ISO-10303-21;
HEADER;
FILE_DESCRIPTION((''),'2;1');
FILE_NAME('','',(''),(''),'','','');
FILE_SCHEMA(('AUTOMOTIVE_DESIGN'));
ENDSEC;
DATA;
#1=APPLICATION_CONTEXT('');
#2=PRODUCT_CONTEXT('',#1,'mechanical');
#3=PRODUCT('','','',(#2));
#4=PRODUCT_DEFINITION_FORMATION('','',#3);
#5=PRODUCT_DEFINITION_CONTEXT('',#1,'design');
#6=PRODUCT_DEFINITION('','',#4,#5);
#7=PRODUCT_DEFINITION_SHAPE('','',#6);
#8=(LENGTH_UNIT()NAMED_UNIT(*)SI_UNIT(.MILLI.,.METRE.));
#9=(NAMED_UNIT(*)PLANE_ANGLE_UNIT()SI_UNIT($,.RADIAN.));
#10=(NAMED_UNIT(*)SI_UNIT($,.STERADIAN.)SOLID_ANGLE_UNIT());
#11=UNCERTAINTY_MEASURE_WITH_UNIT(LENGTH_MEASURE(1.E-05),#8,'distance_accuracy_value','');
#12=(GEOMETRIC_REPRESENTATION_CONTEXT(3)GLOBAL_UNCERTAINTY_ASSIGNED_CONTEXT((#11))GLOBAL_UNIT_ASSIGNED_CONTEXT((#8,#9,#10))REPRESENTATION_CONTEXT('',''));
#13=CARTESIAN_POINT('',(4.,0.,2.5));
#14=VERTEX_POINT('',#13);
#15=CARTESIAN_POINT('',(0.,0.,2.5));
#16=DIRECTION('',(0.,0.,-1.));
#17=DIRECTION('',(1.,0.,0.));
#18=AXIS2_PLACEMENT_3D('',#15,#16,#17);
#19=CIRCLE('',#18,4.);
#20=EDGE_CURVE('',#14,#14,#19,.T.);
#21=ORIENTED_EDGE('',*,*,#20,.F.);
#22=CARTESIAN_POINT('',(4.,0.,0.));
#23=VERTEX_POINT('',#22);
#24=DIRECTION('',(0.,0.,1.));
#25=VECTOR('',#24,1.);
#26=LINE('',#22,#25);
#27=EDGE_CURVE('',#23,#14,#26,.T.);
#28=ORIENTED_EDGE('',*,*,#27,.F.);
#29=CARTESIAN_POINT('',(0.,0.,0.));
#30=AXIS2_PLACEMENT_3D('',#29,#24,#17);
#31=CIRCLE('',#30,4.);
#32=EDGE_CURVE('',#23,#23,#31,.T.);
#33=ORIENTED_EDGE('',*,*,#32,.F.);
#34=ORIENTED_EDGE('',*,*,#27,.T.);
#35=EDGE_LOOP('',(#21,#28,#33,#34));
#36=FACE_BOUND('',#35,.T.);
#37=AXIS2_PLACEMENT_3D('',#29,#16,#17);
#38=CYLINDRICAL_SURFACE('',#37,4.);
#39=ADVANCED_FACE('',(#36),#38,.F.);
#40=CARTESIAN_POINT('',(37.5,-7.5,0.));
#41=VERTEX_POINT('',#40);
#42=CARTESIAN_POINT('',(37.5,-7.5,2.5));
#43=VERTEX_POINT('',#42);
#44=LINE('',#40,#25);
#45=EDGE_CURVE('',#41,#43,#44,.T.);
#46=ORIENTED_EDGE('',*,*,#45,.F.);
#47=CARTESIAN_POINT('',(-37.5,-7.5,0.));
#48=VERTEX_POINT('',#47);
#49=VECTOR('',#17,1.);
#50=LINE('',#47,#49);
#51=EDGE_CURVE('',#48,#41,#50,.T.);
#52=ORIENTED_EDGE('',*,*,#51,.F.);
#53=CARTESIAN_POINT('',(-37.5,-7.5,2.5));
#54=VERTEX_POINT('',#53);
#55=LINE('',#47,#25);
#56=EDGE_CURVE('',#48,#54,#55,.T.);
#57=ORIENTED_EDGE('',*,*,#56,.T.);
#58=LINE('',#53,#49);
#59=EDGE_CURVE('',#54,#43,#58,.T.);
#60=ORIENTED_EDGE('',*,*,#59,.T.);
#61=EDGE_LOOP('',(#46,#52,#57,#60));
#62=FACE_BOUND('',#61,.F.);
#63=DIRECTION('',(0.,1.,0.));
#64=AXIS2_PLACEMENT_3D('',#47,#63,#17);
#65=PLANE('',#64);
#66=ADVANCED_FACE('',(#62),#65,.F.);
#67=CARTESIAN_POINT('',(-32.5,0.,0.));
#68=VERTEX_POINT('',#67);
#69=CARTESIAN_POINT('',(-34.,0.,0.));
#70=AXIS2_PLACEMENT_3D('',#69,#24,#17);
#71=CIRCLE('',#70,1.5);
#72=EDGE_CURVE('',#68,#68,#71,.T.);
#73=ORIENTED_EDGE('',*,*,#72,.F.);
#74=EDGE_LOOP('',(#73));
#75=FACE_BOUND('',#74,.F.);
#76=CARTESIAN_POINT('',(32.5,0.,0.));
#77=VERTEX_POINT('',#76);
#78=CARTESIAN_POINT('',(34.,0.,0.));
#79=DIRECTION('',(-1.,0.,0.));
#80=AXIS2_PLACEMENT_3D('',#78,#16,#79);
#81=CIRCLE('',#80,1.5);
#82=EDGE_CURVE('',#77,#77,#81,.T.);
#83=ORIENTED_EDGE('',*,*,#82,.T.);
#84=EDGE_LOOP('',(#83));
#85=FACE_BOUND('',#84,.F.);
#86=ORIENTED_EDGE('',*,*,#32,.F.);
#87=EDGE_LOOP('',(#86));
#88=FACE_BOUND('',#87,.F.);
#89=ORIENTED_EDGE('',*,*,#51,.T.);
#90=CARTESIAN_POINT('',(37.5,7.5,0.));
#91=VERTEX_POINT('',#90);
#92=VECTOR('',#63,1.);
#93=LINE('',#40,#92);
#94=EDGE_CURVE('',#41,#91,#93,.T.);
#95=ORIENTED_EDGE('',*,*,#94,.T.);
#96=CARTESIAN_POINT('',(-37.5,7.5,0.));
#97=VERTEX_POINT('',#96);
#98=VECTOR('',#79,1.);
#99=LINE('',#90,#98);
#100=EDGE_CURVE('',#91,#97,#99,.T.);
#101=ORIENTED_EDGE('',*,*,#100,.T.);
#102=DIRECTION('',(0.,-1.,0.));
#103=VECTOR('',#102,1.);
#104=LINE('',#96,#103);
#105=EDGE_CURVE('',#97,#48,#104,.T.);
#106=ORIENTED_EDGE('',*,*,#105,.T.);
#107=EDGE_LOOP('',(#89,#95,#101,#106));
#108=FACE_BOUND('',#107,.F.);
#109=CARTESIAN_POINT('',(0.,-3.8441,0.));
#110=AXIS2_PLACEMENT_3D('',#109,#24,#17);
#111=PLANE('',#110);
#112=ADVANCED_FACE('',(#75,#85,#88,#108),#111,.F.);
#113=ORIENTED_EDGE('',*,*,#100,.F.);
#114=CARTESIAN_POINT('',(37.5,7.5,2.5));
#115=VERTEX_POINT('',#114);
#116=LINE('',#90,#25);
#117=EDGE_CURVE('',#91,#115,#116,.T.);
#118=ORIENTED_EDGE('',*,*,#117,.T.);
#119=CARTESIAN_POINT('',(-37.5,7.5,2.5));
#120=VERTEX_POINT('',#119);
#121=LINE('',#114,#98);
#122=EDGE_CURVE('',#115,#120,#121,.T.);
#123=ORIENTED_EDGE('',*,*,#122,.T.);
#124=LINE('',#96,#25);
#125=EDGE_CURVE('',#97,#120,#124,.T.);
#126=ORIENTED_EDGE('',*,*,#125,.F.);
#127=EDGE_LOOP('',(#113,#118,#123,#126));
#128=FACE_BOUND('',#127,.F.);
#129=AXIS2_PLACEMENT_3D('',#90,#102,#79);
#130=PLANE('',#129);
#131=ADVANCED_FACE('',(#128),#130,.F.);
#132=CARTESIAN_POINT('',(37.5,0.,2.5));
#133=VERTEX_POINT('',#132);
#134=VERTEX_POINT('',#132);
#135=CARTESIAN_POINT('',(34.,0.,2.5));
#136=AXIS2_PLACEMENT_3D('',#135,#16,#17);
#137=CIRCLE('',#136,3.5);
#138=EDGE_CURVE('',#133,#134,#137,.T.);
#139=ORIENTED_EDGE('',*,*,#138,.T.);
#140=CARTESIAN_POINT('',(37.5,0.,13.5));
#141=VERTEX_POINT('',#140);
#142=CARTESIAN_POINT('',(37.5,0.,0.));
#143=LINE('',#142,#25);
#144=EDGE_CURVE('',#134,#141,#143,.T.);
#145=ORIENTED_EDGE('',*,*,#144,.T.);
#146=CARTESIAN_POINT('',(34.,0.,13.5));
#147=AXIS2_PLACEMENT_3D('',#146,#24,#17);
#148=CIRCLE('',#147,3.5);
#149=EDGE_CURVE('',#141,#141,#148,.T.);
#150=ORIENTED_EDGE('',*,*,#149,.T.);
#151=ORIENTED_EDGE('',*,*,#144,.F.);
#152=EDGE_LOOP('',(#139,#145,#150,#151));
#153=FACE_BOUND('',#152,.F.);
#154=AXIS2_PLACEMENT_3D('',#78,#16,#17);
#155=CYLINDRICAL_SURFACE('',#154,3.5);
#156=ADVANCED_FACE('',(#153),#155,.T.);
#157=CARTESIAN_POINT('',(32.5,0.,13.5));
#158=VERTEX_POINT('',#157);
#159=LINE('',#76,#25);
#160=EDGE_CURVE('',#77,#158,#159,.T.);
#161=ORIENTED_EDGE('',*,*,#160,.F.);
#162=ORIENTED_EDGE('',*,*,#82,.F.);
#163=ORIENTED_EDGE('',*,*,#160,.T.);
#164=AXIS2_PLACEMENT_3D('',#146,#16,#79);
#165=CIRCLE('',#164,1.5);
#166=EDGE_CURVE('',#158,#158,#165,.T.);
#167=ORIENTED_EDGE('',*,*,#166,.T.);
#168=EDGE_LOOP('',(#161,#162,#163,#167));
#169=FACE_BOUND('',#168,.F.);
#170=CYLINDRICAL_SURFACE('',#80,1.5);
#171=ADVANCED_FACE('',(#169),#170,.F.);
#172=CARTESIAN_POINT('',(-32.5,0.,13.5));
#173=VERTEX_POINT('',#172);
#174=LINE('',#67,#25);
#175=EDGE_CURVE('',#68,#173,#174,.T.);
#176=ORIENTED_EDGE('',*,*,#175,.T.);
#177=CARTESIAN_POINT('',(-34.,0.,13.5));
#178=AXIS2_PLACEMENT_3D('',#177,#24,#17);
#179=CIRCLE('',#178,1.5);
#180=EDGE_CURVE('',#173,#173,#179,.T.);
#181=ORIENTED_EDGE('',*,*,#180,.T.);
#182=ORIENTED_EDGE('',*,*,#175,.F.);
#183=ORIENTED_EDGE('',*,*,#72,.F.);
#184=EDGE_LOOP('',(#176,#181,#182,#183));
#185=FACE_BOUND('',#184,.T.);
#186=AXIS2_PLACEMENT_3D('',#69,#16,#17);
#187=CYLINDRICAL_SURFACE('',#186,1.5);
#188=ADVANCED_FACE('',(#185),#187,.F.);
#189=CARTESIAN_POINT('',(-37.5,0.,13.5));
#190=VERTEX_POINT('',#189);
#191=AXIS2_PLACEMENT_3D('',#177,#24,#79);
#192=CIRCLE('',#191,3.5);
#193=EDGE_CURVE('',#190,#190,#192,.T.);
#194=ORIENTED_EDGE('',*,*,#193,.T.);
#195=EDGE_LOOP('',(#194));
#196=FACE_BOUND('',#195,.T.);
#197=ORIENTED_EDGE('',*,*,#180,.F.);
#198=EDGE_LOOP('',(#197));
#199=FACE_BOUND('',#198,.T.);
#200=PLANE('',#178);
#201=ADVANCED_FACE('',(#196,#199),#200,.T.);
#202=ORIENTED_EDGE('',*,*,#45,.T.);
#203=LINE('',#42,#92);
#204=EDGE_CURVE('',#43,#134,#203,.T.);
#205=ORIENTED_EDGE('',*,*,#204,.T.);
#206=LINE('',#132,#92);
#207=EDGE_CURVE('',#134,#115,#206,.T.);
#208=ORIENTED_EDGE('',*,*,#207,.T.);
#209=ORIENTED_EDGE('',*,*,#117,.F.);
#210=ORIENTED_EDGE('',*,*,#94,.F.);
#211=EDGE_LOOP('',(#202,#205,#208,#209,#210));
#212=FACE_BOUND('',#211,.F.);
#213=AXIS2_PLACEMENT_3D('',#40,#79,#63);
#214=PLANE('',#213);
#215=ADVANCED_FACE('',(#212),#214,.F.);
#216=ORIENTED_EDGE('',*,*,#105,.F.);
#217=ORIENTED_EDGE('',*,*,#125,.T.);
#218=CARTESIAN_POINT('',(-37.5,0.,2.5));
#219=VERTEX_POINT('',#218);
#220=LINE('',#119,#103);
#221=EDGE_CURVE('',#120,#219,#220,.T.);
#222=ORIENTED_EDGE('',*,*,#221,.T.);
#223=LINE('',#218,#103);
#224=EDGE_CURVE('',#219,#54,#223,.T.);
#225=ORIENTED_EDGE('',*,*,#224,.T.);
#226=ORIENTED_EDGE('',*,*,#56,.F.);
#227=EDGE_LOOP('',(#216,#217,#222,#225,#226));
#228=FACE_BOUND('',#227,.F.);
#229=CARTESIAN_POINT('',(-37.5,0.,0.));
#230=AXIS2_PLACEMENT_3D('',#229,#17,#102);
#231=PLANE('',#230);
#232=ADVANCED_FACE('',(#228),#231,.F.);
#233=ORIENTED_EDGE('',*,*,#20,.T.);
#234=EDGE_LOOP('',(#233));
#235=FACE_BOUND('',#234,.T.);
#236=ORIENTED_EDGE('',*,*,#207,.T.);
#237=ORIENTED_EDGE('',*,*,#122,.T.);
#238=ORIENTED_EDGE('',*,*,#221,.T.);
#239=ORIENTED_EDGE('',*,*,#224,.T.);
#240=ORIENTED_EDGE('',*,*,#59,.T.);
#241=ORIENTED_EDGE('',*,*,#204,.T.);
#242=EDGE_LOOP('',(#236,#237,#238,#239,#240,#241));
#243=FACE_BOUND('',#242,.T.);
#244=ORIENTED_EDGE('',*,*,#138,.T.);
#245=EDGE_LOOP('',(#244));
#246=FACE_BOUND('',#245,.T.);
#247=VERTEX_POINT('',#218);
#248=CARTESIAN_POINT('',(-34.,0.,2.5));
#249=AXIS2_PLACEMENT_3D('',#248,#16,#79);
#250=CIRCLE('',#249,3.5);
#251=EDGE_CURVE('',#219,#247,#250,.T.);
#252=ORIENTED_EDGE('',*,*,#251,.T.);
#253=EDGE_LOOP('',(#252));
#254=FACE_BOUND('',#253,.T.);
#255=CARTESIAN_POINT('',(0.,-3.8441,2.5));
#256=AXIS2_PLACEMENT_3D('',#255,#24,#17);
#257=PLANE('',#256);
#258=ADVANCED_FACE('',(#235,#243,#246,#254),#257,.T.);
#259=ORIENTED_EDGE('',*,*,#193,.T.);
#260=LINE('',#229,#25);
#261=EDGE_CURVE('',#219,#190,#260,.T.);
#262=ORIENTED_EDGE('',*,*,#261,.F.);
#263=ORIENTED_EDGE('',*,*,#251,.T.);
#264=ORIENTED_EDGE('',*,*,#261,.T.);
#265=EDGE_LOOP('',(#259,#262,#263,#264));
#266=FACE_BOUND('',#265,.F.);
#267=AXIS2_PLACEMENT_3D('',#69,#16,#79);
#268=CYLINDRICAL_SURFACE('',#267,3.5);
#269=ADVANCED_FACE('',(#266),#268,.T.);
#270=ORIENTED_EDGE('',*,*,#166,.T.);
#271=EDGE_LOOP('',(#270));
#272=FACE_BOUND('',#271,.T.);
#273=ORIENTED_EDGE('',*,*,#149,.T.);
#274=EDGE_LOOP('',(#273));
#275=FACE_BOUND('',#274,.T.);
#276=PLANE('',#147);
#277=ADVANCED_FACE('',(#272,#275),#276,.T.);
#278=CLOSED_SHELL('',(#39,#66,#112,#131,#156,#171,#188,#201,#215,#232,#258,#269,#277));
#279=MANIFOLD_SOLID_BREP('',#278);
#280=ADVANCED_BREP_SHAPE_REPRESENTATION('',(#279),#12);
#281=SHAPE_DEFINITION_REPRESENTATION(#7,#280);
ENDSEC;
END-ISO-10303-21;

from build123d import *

# Parameters (mm, degrees)
F0_R     = 1.5
F1_DEPTH = 13.5
F2_DEPTH = 2.5
F3_DEPTH = 2.5
F4_R     = 4
F5_DEPTH = 25


with BuildPart() as f1:
    # F0 (on Top) → F1 (new body)
    with BuildSketch(Plane.XY):
        with BuildLine():
            ThreePointArc((30.5, 0), (34, -3.5), (37.5, 0))
            ThreePointArc((37.5, 0), (34, 3.5), (30.5, 0))
        make_face()
        with BuildLine():
            ThreePointArc((35.5, 0), (34, -1.5), (32.5, 0))
            ThreePointArc((32.5, 0), (34, 1.5), (35.5, 0))
        make_face(mode=Mode.SUBTRACT)
        with BuildLine():
            ThreePointArc((-30.5, 0), (-34, 3.5), (-37.5, 0))
            ThreePointArc((-37.5, 0), (-34, -3.5), (-30.5, 0))
        make_face()
        with Locations((-34, 0)):
            Circle(F0_R, mode=Mode.SUBTRACT)
    extrude(amount=F1_DEPTH)

    # F0 (on Top) → F2 (join)
    with BuildSketch(Plane.XY):
        with BuildLine():
            ThreePointArc((30.5, 0), (34, 3.5), (37.5, 0))
            Line((37.5, 0), (37.5, 7.5))
            Line((37.5, 7.5), (-37.5, 7.5))
            Line((-37.5, 7.5), (-37.5, 0))
            ThreePointArc((-37.5, 0), (-34, 3.5), (-30.5, 0))
            Line((-30.5, 0), (0, 0))
            Line((0, 0), (30.5, 0))
        make_face()
    extrude(amount=F2_DEPTH)

    # F0 (on Top) → F3 (join)
    with BuildSketch(Plane.XY):
        with BuildLine():
            Line((-37.5, -7.5), (37.5, -7.5))
            Line((37.5, -7.5), (37.5, 0))
            ThreePointArc((37.5, 0), (34, -3.5), (30.5, 0))
            Line((30.5, 0), (0, 0))
            Line((0, 0), (-30.5, 0))
            ThreePointArc((-30.5, 0), (-34, -3.5), (-37.5, 0))
            Line((-37.5, 0), (-37.5, -7.5))
        make_face()
    extrude(amount=F3_DEPTH)

    # F4 (on Top) → F5 (cut)
    with BuildSketch(Plane.XY):
        Circle(F4_R)
    extrude(amount=F5_DEPTH, mode=Mode.SUBTRACT)


solid = f1.part
